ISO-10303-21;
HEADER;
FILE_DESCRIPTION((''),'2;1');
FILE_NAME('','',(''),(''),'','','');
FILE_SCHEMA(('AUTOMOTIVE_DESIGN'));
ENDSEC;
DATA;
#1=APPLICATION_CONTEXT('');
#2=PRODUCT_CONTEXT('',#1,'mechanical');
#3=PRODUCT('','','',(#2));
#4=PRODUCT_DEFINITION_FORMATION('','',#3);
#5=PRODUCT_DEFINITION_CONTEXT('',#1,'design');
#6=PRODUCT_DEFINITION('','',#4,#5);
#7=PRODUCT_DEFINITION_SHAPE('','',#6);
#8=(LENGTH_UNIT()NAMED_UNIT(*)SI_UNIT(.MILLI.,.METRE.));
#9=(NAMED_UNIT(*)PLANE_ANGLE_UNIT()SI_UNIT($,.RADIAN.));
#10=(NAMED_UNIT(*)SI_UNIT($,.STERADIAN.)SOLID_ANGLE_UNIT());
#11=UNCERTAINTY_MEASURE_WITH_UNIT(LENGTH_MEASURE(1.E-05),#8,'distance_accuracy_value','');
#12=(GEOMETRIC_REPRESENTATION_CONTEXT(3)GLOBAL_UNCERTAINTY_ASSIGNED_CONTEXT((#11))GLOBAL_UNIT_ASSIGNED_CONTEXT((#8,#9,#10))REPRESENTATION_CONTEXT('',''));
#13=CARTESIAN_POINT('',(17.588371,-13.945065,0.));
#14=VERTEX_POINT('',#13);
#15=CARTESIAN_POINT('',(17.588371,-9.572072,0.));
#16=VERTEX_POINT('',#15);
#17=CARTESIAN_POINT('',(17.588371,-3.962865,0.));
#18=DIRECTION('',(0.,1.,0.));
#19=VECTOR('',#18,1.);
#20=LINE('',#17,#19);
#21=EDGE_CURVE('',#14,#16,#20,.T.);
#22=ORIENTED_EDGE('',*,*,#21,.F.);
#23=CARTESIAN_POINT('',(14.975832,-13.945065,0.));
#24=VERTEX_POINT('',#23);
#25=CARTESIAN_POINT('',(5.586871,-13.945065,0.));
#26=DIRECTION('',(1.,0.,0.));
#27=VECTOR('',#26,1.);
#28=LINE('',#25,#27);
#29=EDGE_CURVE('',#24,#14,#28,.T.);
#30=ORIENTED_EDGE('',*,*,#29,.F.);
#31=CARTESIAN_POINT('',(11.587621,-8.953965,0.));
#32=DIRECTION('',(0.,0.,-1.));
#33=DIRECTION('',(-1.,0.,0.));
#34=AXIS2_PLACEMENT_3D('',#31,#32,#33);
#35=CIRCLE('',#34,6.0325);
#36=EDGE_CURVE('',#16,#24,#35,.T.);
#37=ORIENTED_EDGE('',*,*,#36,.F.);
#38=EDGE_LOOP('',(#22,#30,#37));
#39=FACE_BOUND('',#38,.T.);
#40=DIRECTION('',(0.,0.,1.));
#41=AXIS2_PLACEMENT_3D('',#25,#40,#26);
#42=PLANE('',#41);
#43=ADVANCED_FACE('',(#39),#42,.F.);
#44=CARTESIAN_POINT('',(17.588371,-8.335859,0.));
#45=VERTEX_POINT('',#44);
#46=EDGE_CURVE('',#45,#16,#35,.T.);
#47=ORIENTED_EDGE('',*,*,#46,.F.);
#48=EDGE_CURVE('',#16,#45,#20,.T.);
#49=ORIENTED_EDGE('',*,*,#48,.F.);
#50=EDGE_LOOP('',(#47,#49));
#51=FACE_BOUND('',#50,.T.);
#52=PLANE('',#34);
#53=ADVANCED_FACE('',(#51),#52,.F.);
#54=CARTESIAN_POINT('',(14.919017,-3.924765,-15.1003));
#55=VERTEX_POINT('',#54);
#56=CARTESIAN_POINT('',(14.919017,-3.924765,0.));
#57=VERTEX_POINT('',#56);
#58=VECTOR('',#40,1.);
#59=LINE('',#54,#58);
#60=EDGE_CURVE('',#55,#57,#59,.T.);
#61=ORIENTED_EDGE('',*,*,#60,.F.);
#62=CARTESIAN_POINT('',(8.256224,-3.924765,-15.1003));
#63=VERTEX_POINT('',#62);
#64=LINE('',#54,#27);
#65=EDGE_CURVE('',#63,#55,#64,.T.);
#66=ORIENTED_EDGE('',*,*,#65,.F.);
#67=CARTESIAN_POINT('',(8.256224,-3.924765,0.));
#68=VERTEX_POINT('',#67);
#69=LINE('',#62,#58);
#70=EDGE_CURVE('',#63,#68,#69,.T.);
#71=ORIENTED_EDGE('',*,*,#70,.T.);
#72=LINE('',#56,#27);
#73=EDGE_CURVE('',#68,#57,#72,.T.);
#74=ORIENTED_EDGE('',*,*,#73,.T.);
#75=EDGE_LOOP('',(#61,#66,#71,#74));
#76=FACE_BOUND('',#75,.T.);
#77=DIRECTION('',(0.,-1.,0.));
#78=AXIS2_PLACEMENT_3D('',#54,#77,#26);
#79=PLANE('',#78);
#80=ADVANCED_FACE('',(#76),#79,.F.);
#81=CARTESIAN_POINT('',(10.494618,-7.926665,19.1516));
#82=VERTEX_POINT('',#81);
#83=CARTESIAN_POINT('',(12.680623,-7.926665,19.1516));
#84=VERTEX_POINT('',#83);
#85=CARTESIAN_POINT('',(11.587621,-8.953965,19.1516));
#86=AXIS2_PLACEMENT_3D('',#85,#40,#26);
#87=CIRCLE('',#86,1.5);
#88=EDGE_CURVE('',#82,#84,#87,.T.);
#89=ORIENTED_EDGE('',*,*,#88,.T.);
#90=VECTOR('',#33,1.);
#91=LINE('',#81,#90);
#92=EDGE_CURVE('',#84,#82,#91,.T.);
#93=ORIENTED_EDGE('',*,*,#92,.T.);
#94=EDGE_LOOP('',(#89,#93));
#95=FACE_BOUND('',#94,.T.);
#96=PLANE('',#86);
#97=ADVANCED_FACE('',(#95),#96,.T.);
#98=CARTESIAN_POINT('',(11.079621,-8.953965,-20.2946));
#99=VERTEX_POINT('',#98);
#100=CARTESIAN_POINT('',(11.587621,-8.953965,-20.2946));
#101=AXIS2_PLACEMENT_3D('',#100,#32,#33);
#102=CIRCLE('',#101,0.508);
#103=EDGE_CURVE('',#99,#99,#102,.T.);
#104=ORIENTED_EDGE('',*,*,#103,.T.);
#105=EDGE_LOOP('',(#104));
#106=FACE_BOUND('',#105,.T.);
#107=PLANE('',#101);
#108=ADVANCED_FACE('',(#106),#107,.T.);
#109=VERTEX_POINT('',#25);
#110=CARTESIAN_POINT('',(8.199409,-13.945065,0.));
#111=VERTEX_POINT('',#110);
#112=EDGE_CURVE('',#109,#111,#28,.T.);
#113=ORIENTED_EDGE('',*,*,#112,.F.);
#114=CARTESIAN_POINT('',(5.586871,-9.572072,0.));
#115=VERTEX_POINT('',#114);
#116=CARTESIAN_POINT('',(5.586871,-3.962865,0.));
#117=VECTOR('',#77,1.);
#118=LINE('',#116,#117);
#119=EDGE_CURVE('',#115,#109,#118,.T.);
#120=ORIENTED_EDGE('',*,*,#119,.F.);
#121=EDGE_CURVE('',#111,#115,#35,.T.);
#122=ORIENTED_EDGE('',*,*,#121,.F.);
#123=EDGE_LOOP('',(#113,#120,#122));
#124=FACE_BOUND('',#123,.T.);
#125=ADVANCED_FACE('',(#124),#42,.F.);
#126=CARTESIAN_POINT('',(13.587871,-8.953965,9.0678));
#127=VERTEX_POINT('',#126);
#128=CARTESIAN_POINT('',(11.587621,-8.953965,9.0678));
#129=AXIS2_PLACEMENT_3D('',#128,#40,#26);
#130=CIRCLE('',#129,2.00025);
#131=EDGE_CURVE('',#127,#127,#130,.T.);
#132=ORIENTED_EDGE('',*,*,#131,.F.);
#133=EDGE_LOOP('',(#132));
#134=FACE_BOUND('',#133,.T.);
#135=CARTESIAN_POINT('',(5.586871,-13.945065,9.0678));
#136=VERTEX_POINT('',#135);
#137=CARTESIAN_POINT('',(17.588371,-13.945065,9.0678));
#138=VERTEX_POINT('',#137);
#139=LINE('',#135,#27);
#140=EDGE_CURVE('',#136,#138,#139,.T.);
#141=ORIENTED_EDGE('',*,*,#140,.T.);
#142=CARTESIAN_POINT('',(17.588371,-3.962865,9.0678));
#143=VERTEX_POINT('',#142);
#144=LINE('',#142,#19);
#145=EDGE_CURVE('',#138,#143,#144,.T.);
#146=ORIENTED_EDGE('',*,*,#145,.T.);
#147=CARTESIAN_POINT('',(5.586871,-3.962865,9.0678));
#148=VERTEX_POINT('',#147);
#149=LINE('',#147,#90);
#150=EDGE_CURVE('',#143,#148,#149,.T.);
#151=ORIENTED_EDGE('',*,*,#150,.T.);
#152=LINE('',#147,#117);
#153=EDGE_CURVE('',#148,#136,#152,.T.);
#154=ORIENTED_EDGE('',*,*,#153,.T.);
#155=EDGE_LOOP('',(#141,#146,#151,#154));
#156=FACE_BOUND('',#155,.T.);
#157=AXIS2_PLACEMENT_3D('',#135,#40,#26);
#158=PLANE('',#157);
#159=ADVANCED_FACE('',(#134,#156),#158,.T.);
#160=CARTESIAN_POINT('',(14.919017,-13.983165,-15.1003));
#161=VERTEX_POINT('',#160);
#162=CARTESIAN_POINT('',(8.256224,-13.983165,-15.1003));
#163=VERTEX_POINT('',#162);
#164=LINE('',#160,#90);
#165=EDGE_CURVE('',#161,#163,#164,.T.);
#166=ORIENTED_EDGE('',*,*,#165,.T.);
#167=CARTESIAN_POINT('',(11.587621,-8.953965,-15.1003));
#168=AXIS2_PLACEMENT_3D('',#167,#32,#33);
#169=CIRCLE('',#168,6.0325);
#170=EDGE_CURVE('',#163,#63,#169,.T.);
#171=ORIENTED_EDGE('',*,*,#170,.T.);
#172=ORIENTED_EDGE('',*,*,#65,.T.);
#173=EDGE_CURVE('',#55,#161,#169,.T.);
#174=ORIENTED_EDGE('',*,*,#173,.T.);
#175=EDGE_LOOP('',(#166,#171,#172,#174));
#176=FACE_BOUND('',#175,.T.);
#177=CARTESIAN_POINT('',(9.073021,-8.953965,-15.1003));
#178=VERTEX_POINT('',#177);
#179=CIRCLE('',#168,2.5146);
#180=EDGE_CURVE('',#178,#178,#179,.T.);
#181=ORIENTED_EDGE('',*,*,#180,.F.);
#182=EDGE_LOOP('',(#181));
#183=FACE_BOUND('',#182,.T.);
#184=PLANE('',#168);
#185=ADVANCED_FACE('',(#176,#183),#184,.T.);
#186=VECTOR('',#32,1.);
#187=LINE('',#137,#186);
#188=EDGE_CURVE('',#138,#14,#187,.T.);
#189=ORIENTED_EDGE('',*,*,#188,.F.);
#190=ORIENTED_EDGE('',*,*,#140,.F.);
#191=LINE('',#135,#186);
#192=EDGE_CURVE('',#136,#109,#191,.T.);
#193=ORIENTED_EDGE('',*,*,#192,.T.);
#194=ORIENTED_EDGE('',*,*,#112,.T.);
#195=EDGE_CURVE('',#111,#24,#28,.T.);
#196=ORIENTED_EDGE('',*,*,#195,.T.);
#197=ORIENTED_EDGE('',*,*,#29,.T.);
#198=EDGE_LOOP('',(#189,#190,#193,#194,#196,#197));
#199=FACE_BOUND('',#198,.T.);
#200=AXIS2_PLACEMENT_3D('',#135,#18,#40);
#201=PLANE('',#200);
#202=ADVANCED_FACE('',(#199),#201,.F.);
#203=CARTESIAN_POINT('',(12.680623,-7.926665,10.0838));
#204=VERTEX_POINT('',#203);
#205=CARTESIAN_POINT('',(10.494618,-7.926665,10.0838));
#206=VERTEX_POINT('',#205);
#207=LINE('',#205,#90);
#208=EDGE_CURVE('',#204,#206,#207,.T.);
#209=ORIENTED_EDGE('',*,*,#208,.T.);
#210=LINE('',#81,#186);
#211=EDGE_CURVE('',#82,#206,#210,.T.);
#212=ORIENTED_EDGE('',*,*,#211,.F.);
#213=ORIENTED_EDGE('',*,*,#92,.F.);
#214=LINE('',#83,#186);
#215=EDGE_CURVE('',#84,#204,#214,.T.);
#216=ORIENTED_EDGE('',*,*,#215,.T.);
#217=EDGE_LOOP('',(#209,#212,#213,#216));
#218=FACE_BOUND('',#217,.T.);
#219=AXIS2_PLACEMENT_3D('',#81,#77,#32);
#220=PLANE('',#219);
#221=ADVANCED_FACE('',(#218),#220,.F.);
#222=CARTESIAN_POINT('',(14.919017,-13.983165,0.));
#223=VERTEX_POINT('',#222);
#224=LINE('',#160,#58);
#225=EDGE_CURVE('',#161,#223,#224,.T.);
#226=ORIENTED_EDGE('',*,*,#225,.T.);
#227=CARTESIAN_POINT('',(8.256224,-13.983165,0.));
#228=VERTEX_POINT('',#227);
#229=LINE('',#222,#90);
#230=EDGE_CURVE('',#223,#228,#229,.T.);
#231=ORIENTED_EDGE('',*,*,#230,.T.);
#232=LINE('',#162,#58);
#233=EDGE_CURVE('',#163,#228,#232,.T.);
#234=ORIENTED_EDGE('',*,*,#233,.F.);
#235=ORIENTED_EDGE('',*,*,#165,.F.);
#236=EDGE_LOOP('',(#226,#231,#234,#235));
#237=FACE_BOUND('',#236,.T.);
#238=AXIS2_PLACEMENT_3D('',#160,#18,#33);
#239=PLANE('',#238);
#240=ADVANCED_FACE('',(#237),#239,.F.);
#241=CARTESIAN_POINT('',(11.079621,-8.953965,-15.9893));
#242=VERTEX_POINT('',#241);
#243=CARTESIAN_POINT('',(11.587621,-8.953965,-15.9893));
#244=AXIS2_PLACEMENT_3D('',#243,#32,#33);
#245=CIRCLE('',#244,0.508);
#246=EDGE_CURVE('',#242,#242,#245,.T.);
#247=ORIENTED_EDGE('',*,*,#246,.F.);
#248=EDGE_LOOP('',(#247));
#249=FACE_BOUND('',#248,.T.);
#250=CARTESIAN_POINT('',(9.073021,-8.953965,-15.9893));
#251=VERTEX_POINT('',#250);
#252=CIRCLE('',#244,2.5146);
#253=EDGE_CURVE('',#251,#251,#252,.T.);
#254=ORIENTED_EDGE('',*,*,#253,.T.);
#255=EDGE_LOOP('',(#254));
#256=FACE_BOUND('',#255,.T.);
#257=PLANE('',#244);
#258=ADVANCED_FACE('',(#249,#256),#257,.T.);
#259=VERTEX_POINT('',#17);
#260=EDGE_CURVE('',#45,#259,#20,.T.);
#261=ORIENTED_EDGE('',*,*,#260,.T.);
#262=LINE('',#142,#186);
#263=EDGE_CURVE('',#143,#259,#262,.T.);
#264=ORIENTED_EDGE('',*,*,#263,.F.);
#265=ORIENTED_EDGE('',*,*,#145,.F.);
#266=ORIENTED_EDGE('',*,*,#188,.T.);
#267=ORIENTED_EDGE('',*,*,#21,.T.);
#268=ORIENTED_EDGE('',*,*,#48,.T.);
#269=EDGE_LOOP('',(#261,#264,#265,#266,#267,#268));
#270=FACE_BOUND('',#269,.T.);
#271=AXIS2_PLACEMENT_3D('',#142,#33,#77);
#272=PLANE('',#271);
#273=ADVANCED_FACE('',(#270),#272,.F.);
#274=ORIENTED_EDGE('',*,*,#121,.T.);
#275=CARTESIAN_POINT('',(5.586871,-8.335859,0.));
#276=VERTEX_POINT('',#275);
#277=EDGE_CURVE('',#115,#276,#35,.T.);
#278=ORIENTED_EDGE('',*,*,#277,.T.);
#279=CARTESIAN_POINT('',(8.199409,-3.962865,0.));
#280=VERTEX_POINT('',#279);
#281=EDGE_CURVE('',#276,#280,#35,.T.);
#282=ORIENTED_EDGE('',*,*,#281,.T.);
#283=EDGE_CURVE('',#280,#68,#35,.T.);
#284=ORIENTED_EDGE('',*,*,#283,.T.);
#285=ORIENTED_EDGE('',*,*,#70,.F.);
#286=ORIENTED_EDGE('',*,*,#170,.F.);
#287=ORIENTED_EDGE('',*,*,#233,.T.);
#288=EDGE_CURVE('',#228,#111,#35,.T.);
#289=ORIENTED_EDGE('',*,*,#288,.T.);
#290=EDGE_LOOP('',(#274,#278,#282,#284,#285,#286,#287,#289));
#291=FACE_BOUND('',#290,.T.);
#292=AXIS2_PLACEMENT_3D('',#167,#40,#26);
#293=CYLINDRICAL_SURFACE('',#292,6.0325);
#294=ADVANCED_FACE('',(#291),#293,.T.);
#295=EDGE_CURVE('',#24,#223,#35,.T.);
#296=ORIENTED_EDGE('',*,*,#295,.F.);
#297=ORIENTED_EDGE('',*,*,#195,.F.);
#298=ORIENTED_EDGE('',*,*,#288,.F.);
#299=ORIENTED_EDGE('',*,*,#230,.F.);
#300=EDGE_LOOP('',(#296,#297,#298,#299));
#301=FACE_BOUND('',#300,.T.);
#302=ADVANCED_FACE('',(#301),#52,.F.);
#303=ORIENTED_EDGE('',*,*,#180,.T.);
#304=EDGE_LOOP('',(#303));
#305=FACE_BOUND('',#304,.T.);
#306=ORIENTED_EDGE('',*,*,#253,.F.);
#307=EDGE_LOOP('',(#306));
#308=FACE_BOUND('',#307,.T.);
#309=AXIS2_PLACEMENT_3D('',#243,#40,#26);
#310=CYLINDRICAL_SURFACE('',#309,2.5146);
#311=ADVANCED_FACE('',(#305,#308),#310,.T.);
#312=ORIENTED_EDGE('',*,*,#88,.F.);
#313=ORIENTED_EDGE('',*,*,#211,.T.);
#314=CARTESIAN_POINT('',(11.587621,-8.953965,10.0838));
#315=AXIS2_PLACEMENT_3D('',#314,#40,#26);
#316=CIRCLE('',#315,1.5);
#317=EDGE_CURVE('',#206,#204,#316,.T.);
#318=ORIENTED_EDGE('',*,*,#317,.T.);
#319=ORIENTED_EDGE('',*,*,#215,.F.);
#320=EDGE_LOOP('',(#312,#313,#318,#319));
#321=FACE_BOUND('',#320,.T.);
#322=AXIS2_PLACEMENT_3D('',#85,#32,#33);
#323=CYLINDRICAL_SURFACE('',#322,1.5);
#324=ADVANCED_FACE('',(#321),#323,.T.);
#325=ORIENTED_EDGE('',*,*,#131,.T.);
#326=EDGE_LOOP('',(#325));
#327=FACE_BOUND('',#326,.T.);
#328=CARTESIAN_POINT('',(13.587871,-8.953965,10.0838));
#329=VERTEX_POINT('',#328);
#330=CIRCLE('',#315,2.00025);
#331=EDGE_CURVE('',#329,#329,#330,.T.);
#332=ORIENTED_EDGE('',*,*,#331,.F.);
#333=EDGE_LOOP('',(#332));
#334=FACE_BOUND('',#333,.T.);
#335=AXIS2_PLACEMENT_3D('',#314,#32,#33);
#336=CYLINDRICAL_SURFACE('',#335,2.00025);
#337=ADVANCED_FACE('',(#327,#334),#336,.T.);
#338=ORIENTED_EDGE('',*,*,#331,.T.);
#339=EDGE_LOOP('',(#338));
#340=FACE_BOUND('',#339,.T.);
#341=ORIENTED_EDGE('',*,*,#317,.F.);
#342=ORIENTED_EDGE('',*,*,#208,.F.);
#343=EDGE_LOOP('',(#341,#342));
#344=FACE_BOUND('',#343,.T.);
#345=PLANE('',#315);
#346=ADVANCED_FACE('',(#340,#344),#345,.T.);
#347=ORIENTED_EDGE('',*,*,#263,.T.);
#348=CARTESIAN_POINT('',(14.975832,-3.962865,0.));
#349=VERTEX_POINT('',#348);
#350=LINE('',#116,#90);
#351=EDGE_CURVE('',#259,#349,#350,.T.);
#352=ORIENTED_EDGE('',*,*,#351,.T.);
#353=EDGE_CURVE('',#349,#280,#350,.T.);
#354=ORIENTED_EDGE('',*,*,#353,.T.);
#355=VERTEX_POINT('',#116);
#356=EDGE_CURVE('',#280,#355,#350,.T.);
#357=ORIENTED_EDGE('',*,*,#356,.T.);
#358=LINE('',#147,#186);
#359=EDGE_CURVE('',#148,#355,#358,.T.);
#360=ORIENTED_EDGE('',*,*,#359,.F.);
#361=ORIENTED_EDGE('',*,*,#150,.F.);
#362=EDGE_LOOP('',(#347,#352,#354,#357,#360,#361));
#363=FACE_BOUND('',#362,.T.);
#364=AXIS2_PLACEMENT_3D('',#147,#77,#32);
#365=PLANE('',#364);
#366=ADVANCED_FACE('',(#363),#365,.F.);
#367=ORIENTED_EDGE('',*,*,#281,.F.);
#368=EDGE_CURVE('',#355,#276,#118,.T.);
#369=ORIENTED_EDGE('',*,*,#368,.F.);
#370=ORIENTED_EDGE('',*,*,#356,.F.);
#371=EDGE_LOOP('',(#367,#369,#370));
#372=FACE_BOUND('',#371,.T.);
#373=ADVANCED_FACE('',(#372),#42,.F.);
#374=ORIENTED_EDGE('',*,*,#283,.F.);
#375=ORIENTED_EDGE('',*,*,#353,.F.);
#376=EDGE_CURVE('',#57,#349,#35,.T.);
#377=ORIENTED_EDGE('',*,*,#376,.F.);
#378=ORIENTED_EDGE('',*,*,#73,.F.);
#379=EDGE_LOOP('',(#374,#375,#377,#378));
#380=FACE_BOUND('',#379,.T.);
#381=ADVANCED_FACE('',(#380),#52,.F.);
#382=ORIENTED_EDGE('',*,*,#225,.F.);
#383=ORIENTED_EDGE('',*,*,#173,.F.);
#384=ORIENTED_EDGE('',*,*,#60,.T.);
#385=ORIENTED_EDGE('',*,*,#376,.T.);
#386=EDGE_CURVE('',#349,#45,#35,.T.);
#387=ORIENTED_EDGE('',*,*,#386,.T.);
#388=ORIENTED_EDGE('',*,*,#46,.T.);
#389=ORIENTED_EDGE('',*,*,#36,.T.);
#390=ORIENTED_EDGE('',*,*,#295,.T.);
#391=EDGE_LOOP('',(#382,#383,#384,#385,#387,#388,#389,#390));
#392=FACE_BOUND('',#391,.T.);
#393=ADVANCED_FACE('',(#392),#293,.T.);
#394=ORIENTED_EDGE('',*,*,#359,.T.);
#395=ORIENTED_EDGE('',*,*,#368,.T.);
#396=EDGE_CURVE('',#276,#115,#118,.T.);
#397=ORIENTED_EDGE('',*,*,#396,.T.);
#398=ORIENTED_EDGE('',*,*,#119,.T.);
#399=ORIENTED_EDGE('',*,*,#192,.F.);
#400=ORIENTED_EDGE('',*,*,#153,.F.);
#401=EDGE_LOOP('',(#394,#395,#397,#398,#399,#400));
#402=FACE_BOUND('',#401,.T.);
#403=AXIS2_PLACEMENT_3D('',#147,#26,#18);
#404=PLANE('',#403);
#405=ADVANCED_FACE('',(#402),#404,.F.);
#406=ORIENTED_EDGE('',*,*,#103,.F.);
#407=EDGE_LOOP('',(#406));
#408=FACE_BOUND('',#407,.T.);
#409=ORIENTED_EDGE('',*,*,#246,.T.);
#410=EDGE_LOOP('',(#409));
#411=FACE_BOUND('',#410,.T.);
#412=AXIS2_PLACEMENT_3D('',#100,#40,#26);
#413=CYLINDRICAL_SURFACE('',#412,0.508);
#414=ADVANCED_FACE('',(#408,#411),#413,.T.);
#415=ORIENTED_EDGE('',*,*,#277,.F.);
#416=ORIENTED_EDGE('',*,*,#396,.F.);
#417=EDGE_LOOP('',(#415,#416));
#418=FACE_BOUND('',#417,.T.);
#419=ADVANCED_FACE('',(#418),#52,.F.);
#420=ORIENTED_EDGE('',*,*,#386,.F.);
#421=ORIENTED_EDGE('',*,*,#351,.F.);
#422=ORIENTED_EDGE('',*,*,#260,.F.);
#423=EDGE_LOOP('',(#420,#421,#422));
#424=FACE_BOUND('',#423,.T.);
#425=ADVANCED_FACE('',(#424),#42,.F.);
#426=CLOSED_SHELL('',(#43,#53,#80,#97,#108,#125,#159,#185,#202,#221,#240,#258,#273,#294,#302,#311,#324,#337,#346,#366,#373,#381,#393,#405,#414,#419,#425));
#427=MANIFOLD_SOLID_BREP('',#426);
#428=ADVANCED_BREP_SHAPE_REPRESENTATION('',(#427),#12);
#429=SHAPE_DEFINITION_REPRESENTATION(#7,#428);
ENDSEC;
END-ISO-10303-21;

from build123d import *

# Parameters (mm, degrees)
SKETCH1_W            = 12.0015
SKETCH1_H            = 9.9822
BOSS_EXTRUDE4_DEPTH  = 9.0678
BOSS_EXTRUDE5_DEPTH  = 15.1003
SKETCH4_R            = 2.00025
BOSS_EXTRUDE9_DEPTH  = 1.016
BOSS_EXTRUDE10_DEPTH = 9.0678
SKETCH6_R            = 2.5146
BOSS_EXTRUDE11_DEPTH = 0.889
SKETCH7_R            = 0.508
BOSS_EXTRUDE12_DEPTH = 4.3053


with BuildPart() as part:
    # Sketch1 → Boss-Extrude4 (new body)
    with BuildSketch(Plane.XY):
        with Locations((11.58762082, -8.953965436)):
            Rectangle(SKETCH1_W, SKETCH1_H)
    extrude(amount=BOSS_EXTRUDE4_DEPTH)

    # Sketch3 → Boss-Extrude5 (add)
    with BuildSketch(Plane(origin=(0, 0, 0), x_dir=(-1, 0, 0), z_dir=(0, 0, -1))):
        with BuildLine():
            Line((-14.919017466, -3.924765436), (-8.256224175, -3.924765436))
            ThreePointArc((-8.256224175, -3.924765436), (-5.55512082, -8.953965436), (-8.256224175, -13.983165436))
            Line((-8.256224175, -13.983165436), (-14.919017466, -13.983165436))
            ThreePointArc((-14.919017466, -13.983165436), (-17.62012082, -8.953965436), (-14.919017466, -3.924765436))
        make_face()
    extrude(amount=BOSS_EXTRUDE5_DEPTH)

    # Sketch4 → Boss-Extrude9 (add)
    with BuildSketch(Plane.XY.offset(9.0678)):
        with Locations((11.58762082, -8.953965436)):
            Circle(SKETCH4_R)
    extrude(amount=BOSS_EXTRUDE9_DEPTH)

    # Sketch5 → Boss-Extrude10 (add)
    with BuildSketch(Plane.XY.offset(10.0838)):
        with BuildLine():
            Line((10.494618208, -7.926665436), (12.680623432, -7.926665436))
            ThreePointArc((12.680623432, -7.926665436), (11.58762082, -10.453965436), (10.494618208, -7.926665436))
        make_face()
    extrude(amount=BOSS_EXTRUDE10_DEPTH)

    # Sketch6 → Boss-Extrude11 (add)
    with BuildSketch(Plane(origin=(0, 0, -15.1003), x_dir=(-1, 0, 0), z_dir=(0, 0, -1))):
        with Locations((-11.58762082, -8.953965436)):
            Circle(SKETCH6_R)
    extrude(amount=BOSS_EXTRUDE11_DEPTH)

    # Sketch7 → Boss-Extrude12 (add)
    with BuildSketch(Plane(origin=(0, 0, -15.9893), x_dir=(-1, 0, 0), z_dir=(0, 0, -1))):
        with Locations((-11.58762082, -8.953965436)):
            Circle(SKETCH7_R)
    extrude(amount=BOSS_EXTRUDE12_DEPTH)


solid = part.part
